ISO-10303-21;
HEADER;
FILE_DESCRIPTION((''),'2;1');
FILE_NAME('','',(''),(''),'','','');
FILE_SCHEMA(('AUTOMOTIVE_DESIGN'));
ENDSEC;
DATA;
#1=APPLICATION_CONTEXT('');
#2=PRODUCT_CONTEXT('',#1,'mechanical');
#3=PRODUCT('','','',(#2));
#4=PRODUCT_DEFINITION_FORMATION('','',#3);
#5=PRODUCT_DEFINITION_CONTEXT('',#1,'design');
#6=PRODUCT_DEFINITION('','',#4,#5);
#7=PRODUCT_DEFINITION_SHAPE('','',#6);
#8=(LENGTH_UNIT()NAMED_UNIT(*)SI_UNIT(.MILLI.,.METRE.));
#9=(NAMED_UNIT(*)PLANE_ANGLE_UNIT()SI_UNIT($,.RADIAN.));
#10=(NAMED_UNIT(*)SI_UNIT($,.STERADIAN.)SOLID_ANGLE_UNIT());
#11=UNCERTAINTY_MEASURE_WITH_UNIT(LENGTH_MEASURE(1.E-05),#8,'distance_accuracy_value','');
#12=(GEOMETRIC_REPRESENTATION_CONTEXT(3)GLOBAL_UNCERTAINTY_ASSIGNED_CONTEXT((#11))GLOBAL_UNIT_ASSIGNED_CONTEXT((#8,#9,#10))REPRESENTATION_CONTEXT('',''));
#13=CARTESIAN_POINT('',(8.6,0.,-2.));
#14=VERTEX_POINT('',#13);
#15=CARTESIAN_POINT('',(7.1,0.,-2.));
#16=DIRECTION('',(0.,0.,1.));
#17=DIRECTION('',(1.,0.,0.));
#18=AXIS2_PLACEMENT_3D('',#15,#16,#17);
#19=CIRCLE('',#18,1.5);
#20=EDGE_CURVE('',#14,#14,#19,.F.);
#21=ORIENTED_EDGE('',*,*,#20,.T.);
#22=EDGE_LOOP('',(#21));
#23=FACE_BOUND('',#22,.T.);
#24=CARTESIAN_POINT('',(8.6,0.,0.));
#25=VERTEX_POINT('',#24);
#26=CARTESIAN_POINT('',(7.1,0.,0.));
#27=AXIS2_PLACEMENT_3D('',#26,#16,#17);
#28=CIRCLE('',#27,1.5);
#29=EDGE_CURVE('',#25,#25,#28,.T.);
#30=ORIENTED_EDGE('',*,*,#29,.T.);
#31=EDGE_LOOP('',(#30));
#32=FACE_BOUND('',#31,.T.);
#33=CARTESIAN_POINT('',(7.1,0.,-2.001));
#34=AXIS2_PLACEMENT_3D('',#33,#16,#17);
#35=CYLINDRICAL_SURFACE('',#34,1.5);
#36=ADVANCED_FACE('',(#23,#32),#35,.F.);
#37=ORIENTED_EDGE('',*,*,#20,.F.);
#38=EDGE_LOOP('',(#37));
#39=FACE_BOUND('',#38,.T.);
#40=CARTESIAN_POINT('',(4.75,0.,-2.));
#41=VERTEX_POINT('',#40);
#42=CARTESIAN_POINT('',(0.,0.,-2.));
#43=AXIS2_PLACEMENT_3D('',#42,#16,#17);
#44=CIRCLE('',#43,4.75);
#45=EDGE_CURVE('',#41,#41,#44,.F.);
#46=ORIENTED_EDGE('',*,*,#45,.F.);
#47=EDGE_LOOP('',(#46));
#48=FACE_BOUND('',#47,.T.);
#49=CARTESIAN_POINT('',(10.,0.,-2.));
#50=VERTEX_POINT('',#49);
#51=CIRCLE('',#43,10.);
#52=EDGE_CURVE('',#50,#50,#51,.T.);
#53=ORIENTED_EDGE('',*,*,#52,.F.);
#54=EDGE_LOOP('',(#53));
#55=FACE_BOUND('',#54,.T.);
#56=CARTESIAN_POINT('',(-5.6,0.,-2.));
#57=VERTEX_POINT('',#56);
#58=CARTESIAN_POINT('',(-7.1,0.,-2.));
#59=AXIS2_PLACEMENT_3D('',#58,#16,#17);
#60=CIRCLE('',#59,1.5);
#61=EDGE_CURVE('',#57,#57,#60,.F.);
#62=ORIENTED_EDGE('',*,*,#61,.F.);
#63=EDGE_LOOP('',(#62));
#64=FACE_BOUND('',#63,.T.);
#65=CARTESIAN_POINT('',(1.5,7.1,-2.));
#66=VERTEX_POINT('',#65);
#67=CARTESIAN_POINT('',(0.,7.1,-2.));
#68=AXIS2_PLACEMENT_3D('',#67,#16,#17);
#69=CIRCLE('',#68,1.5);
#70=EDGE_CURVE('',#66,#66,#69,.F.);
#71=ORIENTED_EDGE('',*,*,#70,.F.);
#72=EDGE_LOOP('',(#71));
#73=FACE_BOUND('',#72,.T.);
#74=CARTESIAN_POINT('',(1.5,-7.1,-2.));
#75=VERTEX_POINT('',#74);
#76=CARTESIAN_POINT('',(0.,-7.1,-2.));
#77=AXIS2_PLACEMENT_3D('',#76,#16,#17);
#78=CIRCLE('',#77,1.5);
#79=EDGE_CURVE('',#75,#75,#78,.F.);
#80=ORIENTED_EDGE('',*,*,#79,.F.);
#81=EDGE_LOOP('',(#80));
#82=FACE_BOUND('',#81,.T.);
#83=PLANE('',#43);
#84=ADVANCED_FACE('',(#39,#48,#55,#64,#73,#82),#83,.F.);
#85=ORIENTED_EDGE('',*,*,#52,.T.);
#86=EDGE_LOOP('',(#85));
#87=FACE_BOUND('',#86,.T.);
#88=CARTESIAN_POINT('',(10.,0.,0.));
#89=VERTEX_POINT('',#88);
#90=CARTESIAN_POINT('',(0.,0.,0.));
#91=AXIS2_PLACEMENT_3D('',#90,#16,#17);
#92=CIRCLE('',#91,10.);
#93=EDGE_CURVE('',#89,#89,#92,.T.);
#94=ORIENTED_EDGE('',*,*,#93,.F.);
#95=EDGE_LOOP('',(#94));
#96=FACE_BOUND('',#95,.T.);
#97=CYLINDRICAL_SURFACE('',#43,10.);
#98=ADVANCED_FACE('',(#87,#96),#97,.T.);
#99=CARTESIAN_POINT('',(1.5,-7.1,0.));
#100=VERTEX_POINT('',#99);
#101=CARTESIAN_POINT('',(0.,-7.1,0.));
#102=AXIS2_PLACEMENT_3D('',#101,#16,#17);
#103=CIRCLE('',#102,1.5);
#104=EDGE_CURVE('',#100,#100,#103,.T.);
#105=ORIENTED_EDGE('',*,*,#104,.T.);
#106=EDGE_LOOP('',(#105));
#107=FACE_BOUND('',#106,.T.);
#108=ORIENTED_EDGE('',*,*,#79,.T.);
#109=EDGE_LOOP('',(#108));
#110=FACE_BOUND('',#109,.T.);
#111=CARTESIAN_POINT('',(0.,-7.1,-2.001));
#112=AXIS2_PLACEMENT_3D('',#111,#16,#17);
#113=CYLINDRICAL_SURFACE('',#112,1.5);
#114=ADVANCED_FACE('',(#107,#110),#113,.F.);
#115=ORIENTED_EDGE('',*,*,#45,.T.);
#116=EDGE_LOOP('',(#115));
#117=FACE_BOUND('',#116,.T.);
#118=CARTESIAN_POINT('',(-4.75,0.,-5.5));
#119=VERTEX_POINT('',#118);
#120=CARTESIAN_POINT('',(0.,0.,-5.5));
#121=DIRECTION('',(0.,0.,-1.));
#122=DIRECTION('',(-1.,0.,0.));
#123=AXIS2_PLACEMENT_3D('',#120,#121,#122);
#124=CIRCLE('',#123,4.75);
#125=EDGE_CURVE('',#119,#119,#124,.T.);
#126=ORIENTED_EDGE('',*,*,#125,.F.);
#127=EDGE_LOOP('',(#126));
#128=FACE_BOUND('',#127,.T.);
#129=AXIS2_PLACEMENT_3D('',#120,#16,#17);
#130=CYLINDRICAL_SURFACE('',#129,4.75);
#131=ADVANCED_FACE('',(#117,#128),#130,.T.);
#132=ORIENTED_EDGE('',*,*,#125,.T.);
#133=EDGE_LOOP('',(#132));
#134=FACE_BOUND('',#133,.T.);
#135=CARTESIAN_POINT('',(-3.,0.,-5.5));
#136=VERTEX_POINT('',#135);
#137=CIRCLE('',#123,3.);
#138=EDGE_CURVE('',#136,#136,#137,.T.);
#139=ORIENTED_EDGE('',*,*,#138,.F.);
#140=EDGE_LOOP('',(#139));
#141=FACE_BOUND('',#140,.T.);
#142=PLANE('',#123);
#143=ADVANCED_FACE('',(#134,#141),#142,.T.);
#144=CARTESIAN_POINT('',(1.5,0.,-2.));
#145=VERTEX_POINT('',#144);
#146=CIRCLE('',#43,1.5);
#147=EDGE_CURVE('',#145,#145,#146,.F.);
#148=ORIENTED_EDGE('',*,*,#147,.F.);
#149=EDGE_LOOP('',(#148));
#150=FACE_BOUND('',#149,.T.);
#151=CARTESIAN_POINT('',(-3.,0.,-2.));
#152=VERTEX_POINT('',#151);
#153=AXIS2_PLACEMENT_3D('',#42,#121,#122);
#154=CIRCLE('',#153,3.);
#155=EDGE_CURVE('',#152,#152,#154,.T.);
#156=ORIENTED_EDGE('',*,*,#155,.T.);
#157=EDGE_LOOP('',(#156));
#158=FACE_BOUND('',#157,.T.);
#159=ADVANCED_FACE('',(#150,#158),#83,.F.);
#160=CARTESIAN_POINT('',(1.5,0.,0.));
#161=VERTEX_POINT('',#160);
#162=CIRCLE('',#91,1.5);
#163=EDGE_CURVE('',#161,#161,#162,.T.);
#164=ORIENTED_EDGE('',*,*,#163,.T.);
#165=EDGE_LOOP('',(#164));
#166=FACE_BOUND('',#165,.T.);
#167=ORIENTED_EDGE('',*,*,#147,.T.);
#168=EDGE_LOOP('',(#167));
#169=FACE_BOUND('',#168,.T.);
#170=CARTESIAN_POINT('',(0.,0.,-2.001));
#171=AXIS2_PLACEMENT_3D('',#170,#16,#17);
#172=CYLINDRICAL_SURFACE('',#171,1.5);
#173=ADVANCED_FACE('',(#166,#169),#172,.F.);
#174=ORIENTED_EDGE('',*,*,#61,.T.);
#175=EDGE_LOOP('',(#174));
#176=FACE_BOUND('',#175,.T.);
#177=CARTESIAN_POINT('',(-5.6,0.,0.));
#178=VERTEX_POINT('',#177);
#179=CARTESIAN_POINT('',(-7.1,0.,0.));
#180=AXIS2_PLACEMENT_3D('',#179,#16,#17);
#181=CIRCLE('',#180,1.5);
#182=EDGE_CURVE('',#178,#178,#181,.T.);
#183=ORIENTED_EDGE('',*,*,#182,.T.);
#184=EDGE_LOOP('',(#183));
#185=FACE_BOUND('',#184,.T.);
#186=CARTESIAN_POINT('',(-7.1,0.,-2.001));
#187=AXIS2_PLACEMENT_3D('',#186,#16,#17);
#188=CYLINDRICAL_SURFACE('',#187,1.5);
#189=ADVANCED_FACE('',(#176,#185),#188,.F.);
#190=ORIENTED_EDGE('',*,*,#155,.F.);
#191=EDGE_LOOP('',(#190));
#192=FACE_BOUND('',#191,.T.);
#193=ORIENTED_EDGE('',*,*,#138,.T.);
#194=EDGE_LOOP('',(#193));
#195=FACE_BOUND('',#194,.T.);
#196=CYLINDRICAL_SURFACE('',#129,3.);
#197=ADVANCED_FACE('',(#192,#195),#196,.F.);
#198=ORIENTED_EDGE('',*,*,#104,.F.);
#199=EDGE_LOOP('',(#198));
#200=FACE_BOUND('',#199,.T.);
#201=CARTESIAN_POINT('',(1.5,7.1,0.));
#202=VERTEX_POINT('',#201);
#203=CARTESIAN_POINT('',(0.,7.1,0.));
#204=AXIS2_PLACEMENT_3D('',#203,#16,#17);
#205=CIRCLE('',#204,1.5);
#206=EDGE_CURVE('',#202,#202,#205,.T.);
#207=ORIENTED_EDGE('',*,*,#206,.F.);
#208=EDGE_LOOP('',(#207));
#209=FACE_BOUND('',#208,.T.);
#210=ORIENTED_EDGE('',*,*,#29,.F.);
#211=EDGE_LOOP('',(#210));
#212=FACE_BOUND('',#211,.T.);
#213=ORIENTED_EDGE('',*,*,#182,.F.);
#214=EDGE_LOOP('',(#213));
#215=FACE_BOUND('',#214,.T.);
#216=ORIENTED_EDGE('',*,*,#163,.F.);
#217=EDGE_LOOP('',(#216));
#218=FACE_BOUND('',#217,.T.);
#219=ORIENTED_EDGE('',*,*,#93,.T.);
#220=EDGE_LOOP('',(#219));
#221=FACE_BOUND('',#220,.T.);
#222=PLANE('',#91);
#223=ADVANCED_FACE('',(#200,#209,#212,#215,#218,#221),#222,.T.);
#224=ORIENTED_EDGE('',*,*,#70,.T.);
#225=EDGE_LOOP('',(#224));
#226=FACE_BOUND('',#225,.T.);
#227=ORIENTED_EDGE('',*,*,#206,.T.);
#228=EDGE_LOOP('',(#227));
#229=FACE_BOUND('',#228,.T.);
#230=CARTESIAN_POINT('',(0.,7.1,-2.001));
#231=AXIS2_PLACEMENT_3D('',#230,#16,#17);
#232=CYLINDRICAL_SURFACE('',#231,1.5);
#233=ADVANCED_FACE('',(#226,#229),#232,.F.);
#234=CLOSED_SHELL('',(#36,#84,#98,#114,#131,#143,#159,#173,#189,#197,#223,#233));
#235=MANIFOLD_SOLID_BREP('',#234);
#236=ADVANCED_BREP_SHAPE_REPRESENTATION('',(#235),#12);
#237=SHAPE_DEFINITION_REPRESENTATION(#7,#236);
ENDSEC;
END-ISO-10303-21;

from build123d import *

# Parameters (mm, degrees)
SKETCH_1_R          = 10
EXTRUDE_1_DEPTH     = 2
CUT_EXTRUDE_1_REACH = 16.283
SKETCH_2_R          = 1.5
SKETCH_3_R          = 4.75
SKETCH_3_R_2        = 3
EXTRUDE_2_DEPTH     = 3.5


with BuildPart() as part:
    # 草图1 → 凸台-拉伸1 (new body)
    with BuildSketch(Plane.XY):
        Circle(SKETCH_1_R)
    extrude(amount=-EXTRUDE_1_DEPTH)

    # 草图2 → 切除-拉伸1 (cut, up to next)
    with BuildSketch(Plane.XY, mode=Mode.PRIVATE) as cut_extrude_1_sk1:
        Circle(SKETCH_2_R)
    cut_extrude_1_tool1 = extrude(cut_extrude_1_sk1.sketch, amount=-CUT_EXTRUDE_1_REACH, mode=Mode.PRIVATE) & part.part
    # 草图2 → 切除-拉伸1 (cut, up to next)
    with BuildSketch(Plane.XY, mode=Mode.PRIVATE) as cut_extrude_1_sk2:
        with Locations((-7.1, 0)):
            Circle(SKETCH_2_R)
    cut_extrude_1_tool2 = extrude(cut_extrude_1_sk2.sketch, amount=-CUT_EXTRUDE_1_REACH, mode=Mode.PRIVATE) & part.part
    # 草图2 → 切除-拉伸1 (cut, up to next)
    with BuildSketch(Plane.XY, mode=Mode.PRIVATE) as cut_extrude_1_sk3:
        with Locations((0, 7.1)):
            Circle(SKETCH_2_R)
    cut_extrude_1_tool3 = extrude(cut_extrude_1_sk3.sketch, amount=-CUT_EXTRUDE_1_REACH, mode=Mode.PRIVATE) & part.part
    # 草图2 → 切除-拉伸1 (cut, up to next)
    with BuildSketch(Plane.XY, mode=Mode.PRIVATE) as cut_extrude_1_sk4:
        with Locations((7.1, 0)):
            Circle(SKETCH_2_R)
    cut_extrude_1_tool4 = extrude(cut_extrude_1_sk4.sketch, amount=-CUT_EXTRUDE_1_REACH, mode=Mode.PRIVATE) & part.part
    # 草图2 → 切除-拉伸1 (cut, up to next)
    with BuildSketch(Plane.XY, mode=Mode.PRIVATE) as cut_extrude_1_sk5:
        with Locations((0, -7.1)):
            Circle(SKETCH_2_R)
    cut_extrude_1_tool5 = extrude(cut_extrude_1_sk5.sketch, amount=-CUT_EXTRUDE_1_REACH, mode=Mode.PRIVATE) & part.part
    add(cut_extrude_1_tool1.solids().sort_by_distance((0, 0, 0))[0], mode=Mode.SUBTRACT)
    add(cut_extrude_1_tool2.solids().sort_by_distance((-7.1, 0, 0))[0], mode=Mode.SUBTRACT)
    add(cut_extrude_1_tool3.solids().sort_by_distance((0, 7.1, 0))[0], mode=Mode.SUBTRACT)
    add(cut_extrude_1_tool4.solids().sort_by_distance((7.1, 0, 0))[0], mode=Mode.SUBTRACT)
    add(cut_extrude_1_tool5.solids().sort_by_distance((0, -7.1, 0))[0], mode=Mode.SUBTRACT)

    # 草图3 → 凸台-拉伸2 (add)
    with BuildSketch(Plane(origin=(0, 0, -2), x_dir=(-1, 0, 0), z_dir=(0, 0, -1))):
        with Locations(Location((0, 0, 0), (0, 0, 180))):
            Circle(SKETCH_3_R)
        Circle(SKETCH_3_R_2, mode=Mode.SUBTRACT)
    extrude(amount=EXTRUDE_2_DEPTH)


solid = part.part
